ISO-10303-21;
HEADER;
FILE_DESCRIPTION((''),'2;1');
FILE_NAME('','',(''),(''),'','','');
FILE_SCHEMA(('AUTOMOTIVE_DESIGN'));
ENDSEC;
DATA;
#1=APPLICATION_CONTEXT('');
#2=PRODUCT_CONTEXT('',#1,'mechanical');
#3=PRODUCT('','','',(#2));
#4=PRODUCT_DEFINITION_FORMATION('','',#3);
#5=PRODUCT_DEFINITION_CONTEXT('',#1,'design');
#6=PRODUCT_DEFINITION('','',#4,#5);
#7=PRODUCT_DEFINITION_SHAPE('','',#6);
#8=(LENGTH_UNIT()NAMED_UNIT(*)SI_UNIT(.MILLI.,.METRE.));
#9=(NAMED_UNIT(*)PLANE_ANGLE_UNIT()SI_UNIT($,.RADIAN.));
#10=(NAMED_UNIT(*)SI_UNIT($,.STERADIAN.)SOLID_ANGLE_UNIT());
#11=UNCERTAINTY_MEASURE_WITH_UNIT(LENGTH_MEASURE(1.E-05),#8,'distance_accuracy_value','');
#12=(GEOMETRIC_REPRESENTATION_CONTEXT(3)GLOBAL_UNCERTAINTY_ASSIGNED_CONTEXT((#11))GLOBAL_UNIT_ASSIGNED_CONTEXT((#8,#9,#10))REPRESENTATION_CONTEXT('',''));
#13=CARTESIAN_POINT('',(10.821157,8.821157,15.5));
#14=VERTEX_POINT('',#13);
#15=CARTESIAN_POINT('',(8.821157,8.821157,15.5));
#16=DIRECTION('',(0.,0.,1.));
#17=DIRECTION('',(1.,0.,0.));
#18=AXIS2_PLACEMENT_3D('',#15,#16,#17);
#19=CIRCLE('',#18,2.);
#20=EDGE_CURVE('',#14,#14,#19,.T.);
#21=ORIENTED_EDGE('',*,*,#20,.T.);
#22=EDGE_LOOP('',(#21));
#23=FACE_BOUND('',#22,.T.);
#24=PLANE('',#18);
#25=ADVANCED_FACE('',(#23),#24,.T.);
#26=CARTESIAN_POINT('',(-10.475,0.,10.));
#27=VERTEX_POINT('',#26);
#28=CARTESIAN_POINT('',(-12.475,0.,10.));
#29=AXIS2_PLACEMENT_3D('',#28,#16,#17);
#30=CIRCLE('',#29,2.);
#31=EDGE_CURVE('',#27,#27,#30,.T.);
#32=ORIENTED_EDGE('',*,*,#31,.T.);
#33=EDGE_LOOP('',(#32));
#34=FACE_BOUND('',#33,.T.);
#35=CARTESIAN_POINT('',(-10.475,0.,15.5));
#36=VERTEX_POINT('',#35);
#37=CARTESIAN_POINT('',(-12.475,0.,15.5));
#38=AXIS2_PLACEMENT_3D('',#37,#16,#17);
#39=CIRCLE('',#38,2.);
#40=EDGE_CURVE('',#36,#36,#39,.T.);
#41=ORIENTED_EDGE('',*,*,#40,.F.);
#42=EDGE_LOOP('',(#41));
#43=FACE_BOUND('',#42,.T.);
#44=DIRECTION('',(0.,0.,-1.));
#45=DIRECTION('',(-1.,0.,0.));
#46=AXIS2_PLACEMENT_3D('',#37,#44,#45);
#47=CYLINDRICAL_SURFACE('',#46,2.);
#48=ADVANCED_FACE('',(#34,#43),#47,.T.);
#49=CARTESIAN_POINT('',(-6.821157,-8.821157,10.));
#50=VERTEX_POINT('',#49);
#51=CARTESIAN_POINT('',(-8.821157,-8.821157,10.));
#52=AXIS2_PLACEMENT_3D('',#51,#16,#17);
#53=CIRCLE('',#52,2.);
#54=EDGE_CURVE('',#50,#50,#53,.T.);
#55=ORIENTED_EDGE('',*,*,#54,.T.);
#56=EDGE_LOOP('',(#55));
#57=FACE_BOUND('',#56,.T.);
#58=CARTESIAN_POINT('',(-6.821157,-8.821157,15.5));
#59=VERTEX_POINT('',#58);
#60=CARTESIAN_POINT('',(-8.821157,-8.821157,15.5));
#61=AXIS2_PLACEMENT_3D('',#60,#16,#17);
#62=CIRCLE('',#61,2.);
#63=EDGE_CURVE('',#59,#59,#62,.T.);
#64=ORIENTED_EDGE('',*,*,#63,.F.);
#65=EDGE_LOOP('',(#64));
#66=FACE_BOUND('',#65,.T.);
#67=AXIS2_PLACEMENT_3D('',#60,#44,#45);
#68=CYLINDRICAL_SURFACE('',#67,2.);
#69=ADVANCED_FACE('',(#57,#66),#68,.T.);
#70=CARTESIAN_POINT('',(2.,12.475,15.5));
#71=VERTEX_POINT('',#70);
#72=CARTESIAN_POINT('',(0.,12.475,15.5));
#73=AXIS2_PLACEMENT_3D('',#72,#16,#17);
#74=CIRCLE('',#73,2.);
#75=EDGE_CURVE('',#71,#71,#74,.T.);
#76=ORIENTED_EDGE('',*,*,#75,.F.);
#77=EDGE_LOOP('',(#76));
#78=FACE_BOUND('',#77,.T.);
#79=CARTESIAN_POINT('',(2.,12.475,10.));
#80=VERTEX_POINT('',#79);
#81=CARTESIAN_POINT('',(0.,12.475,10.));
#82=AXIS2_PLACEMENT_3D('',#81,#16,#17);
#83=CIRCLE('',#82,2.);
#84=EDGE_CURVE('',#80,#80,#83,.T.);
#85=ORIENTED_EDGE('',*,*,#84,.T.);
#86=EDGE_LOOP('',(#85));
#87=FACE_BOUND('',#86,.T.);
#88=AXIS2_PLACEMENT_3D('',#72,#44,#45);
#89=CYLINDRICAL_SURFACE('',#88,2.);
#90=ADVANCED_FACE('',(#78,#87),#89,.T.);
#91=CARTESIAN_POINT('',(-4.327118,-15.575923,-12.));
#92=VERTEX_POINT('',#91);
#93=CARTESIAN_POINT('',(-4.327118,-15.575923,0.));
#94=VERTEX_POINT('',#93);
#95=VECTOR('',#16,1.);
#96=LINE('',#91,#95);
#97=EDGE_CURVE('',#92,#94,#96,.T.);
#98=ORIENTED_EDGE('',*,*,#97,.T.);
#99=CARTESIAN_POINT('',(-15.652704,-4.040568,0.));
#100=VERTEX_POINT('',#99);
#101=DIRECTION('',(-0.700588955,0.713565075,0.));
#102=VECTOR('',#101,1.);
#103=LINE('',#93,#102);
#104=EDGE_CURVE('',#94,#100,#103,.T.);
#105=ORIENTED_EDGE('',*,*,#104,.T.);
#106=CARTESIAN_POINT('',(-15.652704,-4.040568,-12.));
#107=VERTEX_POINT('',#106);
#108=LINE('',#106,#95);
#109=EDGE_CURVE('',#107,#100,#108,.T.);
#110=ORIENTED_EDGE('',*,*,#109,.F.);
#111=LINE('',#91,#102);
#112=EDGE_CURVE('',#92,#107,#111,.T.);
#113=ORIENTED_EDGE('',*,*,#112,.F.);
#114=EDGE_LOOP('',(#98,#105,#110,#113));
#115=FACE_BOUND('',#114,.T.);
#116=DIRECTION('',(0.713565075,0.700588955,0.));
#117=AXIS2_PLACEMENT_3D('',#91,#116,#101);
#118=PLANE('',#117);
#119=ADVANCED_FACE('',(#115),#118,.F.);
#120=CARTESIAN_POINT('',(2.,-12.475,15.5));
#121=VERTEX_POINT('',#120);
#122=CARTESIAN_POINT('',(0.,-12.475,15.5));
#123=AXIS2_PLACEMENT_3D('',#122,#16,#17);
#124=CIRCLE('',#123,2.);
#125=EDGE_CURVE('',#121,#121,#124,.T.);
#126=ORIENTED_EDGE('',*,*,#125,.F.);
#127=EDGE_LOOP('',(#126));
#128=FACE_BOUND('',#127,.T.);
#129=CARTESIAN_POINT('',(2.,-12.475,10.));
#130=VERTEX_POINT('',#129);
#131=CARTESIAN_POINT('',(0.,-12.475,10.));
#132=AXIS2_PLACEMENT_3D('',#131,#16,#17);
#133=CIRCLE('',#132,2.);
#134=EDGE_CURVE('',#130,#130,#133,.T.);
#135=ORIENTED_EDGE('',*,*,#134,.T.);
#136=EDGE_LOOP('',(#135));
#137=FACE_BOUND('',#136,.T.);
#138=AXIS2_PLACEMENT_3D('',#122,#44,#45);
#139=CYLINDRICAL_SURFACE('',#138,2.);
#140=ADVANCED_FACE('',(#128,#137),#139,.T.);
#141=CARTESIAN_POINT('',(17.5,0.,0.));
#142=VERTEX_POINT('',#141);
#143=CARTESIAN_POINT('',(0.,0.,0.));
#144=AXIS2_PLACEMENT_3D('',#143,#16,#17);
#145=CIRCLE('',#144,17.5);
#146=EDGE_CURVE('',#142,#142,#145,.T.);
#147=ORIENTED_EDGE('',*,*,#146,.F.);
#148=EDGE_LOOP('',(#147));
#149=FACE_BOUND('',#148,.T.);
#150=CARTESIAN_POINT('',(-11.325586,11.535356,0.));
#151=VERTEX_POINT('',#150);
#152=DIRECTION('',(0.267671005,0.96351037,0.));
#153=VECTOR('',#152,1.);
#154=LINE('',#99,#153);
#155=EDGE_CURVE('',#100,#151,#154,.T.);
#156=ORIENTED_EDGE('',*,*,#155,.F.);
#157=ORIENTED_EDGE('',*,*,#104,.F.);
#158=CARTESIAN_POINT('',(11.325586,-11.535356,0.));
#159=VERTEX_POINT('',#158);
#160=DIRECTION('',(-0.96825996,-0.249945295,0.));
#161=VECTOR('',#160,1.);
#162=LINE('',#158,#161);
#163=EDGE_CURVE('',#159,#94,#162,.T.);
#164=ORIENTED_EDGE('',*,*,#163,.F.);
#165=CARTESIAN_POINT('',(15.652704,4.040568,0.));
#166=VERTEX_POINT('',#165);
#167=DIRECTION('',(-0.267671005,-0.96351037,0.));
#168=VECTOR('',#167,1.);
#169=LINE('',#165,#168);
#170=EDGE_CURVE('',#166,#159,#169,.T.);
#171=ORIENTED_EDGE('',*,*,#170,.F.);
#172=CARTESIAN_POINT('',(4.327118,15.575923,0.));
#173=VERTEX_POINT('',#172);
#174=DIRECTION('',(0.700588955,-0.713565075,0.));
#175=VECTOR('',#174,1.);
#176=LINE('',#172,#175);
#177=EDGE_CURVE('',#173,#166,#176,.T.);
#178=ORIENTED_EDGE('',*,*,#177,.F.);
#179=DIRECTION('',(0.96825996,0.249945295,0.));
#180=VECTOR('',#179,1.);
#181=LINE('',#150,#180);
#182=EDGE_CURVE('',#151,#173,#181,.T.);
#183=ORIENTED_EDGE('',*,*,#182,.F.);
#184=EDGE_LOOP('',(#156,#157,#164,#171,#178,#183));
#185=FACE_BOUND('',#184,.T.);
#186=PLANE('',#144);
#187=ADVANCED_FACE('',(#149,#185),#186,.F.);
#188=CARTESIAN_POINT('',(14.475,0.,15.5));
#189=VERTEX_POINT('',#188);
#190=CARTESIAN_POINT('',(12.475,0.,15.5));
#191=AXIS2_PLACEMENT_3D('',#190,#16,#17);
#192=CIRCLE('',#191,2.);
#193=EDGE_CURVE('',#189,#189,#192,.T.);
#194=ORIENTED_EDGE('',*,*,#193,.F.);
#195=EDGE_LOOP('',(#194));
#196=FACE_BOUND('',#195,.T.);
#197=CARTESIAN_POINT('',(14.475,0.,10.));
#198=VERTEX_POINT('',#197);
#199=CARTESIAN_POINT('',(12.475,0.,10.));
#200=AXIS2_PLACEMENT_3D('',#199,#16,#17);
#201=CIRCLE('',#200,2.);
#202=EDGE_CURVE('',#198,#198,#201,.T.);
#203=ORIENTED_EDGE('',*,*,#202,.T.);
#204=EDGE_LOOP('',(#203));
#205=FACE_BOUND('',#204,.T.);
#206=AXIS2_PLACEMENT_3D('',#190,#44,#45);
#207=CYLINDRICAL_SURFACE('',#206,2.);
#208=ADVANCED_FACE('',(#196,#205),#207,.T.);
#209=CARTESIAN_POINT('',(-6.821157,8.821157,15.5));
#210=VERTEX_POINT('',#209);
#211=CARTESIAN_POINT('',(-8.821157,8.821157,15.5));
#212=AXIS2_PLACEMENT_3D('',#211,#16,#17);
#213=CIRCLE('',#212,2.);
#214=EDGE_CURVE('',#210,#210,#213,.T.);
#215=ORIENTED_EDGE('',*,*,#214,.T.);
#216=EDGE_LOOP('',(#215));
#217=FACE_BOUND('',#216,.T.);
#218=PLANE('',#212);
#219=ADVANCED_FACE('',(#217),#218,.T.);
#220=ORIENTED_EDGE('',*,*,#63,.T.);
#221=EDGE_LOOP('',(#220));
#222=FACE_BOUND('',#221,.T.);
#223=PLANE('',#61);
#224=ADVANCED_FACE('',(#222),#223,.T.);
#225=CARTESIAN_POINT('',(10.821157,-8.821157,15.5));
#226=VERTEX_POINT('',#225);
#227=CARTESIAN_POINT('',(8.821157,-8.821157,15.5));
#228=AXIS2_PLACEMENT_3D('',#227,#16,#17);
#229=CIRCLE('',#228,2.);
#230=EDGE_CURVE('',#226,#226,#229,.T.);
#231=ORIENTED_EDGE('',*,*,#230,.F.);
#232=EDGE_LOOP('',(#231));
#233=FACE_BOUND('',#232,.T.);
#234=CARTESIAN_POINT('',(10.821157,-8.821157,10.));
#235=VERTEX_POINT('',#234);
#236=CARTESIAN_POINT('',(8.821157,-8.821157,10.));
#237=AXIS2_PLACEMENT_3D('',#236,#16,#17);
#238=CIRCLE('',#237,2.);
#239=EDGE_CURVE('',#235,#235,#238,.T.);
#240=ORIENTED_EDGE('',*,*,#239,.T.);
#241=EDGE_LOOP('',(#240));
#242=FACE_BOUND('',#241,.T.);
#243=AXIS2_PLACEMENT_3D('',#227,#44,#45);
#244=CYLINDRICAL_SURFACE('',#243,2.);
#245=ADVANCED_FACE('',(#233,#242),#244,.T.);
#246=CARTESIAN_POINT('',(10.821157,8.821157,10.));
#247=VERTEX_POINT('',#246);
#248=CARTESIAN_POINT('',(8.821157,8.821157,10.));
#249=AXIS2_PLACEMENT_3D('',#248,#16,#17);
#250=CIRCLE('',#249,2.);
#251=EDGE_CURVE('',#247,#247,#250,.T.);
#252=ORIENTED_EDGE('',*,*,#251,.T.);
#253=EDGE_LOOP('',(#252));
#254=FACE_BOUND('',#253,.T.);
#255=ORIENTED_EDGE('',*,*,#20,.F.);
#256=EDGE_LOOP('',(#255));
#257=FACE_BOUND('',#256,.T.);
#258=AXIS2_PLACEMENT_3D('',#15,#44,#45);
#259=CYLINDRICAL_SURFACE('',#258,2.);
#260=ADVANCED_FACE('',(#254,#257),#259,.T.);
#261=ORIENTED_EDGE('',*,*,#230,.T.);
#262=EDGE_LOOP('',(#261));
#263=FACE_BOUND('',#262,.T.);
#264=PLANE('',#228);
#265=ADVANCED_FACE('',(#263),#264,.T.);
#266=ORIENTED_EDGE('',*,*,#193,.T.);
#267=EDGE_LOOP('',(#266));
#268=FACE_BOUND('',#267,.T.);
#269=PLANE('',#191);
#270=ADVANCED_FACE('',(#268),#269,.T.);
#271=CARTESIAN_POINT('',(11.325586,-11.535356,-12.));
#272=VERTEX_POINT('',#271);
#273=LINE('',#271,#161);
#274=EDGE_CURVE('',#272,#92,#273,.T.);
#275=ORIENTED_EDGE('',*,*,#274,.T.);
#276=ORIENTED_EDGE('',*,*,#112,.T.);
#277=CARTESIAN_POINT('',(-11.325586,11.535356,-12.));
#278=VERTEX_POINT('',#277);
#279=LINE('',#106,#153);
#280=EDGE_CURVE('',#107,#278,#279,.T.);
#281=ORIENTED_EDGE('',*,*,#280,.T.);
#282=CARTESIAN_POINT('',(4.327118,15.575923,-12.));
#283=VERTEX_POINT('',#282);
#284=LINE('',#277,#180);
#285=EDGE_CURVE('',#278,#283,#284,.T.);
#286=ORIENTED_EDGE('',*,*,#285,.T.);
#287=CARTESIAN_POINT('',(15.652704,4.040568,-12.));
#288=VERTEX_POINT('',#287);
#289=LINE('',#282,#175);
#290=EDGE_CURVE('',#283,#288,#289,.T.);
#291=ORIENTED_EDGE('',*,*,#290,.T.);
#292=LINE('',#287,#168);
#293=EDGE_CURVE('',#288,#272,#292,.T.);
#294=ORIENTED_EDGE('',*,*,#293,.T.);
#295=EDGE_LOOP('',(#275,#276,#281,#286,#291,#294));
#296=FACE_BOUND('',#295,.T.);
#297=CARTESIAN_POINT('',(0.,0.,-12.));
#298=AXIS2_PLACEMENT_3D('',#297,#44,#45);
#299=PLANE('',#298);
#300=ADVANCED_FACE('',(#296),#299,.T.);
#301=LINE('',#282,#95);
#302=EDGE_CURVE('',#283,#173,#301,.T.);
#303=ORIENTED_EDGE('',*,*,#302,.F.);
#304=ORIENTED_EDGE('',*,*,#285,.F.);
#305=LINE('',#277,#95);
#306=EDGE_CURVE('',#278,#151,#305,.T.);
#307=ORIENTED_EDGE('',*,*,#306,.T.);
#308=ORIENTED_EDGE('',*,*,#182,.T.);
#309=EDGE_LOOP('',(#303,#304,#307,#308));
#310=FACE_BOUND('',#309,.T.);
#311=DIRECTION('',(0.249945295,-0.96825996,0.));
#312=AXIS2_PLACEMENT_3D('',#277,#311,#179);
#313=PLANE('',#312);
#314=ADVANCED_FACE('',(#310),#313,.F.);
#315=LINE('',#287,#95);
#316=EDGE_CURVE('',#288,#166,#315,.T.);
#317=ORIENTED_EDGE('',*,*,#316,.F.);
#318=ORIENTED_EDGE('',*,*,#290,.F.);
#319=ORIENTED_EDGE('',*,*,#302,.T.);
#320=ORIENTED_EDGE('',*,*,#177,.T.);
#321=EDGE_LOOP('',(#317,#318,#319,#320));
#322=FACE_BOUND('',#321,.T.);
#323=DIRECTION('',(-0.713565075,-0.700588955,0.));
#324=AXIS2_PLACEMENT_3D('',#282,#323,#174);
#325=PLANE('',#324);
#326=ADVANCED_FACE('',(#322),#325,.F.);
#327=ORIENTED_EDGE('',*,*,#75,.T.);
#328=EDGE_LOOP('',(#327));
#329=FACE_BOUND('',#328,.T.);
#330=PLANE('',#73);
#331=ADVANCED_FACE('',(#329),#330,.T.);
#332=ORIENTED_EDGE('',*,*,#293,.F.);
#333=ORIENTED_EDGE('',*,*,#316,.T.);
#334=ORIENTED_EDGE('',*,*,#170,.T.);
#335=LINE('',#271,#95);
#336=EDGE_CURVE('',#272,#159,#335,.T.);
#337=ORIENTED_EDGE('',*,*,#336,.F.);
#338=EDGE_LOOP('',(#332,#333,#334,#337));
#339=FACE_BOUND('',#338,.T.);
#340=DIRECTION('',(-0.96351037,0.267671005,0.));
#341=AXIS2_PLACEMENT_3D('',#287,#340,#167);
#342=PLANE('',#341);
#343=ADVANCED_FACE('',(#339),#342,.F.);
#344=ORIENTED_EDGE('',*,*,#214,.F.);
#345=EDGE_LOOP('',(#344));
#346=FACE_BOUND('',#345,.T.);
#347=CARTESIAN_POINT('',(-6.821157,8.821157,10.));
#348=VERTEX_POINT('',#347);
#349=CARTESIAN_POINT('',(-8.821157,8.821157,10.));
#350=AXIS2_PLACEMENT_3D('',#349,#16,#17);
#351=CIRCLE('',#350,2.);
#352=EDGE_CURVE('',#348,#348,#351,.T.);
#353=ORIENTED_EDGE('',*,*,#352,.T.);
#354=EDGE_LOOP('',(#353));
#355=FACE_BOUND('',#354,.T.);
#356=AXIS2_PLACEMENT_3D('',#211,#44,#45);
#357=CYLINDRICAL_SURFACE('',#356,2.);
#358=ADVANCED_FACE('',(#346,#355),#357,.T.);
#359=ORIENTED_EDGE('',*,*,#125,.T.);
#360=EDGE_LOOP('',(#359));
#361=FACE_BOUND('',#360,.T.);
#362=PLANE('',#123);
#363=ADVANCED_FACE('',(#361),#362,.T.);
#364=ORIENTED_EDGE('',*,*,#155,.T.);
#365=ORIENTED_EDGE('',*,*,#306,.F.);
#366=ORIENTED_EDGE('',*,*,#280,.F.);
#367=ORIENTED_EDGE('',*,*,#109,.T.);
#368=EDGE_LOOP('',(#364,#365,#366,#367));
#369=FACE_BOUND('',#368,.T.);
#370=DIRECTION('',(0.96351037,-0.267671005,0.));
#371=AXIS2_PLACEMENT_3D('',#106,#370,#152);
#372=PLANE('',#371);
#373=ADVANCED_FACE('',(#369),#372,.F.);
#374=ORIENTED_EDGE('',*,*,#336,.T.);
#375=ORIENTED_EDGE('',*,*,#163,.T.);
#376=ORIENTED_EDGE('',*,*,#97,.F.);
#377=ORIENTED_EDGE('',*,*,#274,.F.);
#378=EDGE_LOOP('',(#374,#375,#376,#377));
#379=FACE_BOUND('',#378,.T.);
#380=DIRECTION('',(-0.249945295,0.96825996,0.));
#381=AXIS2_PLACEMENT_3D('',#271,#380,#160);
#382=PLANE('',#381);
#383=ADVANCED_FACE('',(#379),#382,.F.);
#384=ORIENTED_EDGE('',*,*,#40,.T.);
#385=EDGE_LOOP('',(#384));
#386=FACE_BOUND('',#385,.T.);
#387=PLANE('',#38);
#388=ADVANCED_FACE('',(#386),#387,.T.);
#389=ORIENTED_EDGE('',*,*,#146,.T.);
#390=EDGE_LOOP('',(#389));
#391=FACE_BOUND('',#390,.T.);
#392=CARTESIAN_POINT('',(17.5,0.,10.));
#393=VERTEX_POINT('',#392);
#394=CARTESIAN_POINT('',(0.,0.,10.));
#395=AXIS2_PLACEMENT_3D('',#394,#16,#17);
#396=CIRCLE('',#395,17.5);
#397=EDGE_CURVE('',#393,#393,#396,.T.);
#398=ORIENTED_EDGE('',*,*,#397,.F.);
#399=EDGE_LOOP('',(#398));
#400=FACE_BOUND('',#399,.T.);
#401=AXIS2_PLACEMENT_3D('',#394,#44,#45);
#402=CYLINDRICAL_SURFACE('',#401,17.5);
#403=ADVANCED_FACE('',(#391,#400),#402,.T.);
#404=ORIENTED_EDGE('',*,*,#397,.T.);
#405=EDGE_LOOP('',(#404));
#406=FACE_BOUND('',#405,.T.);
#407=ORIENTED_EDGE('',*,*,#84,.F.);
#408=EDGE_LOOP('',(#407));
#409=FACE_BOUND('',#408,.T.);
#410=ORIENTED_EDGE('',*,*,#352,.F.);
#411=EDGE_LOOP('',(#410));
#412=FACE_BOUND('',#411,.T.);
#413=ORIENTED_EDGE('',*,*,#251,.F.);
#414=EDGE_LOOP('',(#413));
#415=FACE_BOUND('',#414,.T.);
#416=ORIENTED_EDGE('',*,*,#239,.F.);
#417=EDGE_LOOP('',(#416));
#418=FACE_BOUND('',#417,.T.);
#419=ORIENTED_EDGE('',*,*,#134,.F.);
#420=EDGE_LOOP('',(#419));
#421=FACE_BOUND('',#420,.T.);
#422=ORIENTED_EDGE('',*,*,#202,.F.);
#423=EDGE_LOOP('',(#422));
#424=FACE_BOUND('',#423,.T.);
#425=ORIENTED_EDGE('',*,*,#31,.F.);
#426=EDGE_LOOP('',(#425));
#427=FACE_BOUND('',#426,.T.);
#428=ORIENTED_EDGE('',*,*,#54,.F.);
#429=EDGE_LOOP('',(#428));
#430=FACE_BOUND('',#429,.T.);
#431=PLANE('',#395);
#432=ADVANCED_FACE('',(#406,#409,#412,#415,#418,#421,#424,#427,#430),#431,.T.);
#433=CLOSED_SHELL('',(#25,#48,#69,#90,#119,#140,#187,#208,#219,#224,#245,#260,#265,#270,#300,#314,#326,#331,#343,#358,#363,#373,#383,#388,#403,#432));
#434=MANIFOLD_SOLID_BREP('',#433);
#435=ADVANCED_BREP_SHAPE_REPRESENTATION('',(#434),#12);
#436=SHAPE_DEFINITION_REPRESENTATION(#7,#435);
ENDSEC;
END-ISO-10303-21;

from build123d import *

# Parameters (mm, degrees)
ESQUISSE1_R        = 17.5
BOSS_EXTRU_1_DEPTH = 10
ESQUISSE2_R        = 2
BOSS_EXTRU_2_DEPTH = 5.5
BOSS_EXTRU_3_DEPTH = 12


with BuildPart() as part:
    # Esquisse1 → Boss.-Extru.1 (new body)
    with BuildSketch(Plane.XY):
        Circle(ESQUISSE1_R)
    extrude(amount=BOSS_EXTRU_1_DEPTH)

    # Esquisse2 → Boss.-Extru.2 (add)
    with BuildSketch(Plane.XY.offset(10)):
        with Locations((8.821157095, 8.821157095)):
            Circle(ESQUISSE2_R)
        with Locations((0, 12.475)):
            Circle(ESQUISSE2_R)
        with Locations((12.475, 0)):
            Circle(ESQUISSE2_R)
        with Locations((8.821157095, -8.821157095)):
            Circle(ESQUISSE2_R)
        with Locations((0, -12.475)):
            Circle(ESQUISSE2_R)
        with Locations((-8.821157095, -8.821157095)):
            Circle(ESQUISSE2_R)
        with Locations((-12.475, 0)):
            Circle(ESQUISSE2_R)
        with Locations((-8.821157095, 8.821157095)):
            Circle(ESQUISSE2_R)
    extrude(amount=BOSS_EXTRU_2_DEPTH)

    # Esquisse3 → Boss.-Extru.3 (add)
    with BuildSketch(Plane(origin=(0, 0, 0), x_dir=(-1, 0, 0), z_dir=(0, 0, -1))):
        Polygon((11.325586205, 11.535355671), (-4.32711795, 15.575923202), (-15.652704155, 4.040567531), (-11.325586205, -11.535355671), (4.32711795, -15.575923202), (15.652704155, -4.040567531), align=None)
    extrude(amount=BOSS_EXTRU_3_DEPTH)


solid = part.part
